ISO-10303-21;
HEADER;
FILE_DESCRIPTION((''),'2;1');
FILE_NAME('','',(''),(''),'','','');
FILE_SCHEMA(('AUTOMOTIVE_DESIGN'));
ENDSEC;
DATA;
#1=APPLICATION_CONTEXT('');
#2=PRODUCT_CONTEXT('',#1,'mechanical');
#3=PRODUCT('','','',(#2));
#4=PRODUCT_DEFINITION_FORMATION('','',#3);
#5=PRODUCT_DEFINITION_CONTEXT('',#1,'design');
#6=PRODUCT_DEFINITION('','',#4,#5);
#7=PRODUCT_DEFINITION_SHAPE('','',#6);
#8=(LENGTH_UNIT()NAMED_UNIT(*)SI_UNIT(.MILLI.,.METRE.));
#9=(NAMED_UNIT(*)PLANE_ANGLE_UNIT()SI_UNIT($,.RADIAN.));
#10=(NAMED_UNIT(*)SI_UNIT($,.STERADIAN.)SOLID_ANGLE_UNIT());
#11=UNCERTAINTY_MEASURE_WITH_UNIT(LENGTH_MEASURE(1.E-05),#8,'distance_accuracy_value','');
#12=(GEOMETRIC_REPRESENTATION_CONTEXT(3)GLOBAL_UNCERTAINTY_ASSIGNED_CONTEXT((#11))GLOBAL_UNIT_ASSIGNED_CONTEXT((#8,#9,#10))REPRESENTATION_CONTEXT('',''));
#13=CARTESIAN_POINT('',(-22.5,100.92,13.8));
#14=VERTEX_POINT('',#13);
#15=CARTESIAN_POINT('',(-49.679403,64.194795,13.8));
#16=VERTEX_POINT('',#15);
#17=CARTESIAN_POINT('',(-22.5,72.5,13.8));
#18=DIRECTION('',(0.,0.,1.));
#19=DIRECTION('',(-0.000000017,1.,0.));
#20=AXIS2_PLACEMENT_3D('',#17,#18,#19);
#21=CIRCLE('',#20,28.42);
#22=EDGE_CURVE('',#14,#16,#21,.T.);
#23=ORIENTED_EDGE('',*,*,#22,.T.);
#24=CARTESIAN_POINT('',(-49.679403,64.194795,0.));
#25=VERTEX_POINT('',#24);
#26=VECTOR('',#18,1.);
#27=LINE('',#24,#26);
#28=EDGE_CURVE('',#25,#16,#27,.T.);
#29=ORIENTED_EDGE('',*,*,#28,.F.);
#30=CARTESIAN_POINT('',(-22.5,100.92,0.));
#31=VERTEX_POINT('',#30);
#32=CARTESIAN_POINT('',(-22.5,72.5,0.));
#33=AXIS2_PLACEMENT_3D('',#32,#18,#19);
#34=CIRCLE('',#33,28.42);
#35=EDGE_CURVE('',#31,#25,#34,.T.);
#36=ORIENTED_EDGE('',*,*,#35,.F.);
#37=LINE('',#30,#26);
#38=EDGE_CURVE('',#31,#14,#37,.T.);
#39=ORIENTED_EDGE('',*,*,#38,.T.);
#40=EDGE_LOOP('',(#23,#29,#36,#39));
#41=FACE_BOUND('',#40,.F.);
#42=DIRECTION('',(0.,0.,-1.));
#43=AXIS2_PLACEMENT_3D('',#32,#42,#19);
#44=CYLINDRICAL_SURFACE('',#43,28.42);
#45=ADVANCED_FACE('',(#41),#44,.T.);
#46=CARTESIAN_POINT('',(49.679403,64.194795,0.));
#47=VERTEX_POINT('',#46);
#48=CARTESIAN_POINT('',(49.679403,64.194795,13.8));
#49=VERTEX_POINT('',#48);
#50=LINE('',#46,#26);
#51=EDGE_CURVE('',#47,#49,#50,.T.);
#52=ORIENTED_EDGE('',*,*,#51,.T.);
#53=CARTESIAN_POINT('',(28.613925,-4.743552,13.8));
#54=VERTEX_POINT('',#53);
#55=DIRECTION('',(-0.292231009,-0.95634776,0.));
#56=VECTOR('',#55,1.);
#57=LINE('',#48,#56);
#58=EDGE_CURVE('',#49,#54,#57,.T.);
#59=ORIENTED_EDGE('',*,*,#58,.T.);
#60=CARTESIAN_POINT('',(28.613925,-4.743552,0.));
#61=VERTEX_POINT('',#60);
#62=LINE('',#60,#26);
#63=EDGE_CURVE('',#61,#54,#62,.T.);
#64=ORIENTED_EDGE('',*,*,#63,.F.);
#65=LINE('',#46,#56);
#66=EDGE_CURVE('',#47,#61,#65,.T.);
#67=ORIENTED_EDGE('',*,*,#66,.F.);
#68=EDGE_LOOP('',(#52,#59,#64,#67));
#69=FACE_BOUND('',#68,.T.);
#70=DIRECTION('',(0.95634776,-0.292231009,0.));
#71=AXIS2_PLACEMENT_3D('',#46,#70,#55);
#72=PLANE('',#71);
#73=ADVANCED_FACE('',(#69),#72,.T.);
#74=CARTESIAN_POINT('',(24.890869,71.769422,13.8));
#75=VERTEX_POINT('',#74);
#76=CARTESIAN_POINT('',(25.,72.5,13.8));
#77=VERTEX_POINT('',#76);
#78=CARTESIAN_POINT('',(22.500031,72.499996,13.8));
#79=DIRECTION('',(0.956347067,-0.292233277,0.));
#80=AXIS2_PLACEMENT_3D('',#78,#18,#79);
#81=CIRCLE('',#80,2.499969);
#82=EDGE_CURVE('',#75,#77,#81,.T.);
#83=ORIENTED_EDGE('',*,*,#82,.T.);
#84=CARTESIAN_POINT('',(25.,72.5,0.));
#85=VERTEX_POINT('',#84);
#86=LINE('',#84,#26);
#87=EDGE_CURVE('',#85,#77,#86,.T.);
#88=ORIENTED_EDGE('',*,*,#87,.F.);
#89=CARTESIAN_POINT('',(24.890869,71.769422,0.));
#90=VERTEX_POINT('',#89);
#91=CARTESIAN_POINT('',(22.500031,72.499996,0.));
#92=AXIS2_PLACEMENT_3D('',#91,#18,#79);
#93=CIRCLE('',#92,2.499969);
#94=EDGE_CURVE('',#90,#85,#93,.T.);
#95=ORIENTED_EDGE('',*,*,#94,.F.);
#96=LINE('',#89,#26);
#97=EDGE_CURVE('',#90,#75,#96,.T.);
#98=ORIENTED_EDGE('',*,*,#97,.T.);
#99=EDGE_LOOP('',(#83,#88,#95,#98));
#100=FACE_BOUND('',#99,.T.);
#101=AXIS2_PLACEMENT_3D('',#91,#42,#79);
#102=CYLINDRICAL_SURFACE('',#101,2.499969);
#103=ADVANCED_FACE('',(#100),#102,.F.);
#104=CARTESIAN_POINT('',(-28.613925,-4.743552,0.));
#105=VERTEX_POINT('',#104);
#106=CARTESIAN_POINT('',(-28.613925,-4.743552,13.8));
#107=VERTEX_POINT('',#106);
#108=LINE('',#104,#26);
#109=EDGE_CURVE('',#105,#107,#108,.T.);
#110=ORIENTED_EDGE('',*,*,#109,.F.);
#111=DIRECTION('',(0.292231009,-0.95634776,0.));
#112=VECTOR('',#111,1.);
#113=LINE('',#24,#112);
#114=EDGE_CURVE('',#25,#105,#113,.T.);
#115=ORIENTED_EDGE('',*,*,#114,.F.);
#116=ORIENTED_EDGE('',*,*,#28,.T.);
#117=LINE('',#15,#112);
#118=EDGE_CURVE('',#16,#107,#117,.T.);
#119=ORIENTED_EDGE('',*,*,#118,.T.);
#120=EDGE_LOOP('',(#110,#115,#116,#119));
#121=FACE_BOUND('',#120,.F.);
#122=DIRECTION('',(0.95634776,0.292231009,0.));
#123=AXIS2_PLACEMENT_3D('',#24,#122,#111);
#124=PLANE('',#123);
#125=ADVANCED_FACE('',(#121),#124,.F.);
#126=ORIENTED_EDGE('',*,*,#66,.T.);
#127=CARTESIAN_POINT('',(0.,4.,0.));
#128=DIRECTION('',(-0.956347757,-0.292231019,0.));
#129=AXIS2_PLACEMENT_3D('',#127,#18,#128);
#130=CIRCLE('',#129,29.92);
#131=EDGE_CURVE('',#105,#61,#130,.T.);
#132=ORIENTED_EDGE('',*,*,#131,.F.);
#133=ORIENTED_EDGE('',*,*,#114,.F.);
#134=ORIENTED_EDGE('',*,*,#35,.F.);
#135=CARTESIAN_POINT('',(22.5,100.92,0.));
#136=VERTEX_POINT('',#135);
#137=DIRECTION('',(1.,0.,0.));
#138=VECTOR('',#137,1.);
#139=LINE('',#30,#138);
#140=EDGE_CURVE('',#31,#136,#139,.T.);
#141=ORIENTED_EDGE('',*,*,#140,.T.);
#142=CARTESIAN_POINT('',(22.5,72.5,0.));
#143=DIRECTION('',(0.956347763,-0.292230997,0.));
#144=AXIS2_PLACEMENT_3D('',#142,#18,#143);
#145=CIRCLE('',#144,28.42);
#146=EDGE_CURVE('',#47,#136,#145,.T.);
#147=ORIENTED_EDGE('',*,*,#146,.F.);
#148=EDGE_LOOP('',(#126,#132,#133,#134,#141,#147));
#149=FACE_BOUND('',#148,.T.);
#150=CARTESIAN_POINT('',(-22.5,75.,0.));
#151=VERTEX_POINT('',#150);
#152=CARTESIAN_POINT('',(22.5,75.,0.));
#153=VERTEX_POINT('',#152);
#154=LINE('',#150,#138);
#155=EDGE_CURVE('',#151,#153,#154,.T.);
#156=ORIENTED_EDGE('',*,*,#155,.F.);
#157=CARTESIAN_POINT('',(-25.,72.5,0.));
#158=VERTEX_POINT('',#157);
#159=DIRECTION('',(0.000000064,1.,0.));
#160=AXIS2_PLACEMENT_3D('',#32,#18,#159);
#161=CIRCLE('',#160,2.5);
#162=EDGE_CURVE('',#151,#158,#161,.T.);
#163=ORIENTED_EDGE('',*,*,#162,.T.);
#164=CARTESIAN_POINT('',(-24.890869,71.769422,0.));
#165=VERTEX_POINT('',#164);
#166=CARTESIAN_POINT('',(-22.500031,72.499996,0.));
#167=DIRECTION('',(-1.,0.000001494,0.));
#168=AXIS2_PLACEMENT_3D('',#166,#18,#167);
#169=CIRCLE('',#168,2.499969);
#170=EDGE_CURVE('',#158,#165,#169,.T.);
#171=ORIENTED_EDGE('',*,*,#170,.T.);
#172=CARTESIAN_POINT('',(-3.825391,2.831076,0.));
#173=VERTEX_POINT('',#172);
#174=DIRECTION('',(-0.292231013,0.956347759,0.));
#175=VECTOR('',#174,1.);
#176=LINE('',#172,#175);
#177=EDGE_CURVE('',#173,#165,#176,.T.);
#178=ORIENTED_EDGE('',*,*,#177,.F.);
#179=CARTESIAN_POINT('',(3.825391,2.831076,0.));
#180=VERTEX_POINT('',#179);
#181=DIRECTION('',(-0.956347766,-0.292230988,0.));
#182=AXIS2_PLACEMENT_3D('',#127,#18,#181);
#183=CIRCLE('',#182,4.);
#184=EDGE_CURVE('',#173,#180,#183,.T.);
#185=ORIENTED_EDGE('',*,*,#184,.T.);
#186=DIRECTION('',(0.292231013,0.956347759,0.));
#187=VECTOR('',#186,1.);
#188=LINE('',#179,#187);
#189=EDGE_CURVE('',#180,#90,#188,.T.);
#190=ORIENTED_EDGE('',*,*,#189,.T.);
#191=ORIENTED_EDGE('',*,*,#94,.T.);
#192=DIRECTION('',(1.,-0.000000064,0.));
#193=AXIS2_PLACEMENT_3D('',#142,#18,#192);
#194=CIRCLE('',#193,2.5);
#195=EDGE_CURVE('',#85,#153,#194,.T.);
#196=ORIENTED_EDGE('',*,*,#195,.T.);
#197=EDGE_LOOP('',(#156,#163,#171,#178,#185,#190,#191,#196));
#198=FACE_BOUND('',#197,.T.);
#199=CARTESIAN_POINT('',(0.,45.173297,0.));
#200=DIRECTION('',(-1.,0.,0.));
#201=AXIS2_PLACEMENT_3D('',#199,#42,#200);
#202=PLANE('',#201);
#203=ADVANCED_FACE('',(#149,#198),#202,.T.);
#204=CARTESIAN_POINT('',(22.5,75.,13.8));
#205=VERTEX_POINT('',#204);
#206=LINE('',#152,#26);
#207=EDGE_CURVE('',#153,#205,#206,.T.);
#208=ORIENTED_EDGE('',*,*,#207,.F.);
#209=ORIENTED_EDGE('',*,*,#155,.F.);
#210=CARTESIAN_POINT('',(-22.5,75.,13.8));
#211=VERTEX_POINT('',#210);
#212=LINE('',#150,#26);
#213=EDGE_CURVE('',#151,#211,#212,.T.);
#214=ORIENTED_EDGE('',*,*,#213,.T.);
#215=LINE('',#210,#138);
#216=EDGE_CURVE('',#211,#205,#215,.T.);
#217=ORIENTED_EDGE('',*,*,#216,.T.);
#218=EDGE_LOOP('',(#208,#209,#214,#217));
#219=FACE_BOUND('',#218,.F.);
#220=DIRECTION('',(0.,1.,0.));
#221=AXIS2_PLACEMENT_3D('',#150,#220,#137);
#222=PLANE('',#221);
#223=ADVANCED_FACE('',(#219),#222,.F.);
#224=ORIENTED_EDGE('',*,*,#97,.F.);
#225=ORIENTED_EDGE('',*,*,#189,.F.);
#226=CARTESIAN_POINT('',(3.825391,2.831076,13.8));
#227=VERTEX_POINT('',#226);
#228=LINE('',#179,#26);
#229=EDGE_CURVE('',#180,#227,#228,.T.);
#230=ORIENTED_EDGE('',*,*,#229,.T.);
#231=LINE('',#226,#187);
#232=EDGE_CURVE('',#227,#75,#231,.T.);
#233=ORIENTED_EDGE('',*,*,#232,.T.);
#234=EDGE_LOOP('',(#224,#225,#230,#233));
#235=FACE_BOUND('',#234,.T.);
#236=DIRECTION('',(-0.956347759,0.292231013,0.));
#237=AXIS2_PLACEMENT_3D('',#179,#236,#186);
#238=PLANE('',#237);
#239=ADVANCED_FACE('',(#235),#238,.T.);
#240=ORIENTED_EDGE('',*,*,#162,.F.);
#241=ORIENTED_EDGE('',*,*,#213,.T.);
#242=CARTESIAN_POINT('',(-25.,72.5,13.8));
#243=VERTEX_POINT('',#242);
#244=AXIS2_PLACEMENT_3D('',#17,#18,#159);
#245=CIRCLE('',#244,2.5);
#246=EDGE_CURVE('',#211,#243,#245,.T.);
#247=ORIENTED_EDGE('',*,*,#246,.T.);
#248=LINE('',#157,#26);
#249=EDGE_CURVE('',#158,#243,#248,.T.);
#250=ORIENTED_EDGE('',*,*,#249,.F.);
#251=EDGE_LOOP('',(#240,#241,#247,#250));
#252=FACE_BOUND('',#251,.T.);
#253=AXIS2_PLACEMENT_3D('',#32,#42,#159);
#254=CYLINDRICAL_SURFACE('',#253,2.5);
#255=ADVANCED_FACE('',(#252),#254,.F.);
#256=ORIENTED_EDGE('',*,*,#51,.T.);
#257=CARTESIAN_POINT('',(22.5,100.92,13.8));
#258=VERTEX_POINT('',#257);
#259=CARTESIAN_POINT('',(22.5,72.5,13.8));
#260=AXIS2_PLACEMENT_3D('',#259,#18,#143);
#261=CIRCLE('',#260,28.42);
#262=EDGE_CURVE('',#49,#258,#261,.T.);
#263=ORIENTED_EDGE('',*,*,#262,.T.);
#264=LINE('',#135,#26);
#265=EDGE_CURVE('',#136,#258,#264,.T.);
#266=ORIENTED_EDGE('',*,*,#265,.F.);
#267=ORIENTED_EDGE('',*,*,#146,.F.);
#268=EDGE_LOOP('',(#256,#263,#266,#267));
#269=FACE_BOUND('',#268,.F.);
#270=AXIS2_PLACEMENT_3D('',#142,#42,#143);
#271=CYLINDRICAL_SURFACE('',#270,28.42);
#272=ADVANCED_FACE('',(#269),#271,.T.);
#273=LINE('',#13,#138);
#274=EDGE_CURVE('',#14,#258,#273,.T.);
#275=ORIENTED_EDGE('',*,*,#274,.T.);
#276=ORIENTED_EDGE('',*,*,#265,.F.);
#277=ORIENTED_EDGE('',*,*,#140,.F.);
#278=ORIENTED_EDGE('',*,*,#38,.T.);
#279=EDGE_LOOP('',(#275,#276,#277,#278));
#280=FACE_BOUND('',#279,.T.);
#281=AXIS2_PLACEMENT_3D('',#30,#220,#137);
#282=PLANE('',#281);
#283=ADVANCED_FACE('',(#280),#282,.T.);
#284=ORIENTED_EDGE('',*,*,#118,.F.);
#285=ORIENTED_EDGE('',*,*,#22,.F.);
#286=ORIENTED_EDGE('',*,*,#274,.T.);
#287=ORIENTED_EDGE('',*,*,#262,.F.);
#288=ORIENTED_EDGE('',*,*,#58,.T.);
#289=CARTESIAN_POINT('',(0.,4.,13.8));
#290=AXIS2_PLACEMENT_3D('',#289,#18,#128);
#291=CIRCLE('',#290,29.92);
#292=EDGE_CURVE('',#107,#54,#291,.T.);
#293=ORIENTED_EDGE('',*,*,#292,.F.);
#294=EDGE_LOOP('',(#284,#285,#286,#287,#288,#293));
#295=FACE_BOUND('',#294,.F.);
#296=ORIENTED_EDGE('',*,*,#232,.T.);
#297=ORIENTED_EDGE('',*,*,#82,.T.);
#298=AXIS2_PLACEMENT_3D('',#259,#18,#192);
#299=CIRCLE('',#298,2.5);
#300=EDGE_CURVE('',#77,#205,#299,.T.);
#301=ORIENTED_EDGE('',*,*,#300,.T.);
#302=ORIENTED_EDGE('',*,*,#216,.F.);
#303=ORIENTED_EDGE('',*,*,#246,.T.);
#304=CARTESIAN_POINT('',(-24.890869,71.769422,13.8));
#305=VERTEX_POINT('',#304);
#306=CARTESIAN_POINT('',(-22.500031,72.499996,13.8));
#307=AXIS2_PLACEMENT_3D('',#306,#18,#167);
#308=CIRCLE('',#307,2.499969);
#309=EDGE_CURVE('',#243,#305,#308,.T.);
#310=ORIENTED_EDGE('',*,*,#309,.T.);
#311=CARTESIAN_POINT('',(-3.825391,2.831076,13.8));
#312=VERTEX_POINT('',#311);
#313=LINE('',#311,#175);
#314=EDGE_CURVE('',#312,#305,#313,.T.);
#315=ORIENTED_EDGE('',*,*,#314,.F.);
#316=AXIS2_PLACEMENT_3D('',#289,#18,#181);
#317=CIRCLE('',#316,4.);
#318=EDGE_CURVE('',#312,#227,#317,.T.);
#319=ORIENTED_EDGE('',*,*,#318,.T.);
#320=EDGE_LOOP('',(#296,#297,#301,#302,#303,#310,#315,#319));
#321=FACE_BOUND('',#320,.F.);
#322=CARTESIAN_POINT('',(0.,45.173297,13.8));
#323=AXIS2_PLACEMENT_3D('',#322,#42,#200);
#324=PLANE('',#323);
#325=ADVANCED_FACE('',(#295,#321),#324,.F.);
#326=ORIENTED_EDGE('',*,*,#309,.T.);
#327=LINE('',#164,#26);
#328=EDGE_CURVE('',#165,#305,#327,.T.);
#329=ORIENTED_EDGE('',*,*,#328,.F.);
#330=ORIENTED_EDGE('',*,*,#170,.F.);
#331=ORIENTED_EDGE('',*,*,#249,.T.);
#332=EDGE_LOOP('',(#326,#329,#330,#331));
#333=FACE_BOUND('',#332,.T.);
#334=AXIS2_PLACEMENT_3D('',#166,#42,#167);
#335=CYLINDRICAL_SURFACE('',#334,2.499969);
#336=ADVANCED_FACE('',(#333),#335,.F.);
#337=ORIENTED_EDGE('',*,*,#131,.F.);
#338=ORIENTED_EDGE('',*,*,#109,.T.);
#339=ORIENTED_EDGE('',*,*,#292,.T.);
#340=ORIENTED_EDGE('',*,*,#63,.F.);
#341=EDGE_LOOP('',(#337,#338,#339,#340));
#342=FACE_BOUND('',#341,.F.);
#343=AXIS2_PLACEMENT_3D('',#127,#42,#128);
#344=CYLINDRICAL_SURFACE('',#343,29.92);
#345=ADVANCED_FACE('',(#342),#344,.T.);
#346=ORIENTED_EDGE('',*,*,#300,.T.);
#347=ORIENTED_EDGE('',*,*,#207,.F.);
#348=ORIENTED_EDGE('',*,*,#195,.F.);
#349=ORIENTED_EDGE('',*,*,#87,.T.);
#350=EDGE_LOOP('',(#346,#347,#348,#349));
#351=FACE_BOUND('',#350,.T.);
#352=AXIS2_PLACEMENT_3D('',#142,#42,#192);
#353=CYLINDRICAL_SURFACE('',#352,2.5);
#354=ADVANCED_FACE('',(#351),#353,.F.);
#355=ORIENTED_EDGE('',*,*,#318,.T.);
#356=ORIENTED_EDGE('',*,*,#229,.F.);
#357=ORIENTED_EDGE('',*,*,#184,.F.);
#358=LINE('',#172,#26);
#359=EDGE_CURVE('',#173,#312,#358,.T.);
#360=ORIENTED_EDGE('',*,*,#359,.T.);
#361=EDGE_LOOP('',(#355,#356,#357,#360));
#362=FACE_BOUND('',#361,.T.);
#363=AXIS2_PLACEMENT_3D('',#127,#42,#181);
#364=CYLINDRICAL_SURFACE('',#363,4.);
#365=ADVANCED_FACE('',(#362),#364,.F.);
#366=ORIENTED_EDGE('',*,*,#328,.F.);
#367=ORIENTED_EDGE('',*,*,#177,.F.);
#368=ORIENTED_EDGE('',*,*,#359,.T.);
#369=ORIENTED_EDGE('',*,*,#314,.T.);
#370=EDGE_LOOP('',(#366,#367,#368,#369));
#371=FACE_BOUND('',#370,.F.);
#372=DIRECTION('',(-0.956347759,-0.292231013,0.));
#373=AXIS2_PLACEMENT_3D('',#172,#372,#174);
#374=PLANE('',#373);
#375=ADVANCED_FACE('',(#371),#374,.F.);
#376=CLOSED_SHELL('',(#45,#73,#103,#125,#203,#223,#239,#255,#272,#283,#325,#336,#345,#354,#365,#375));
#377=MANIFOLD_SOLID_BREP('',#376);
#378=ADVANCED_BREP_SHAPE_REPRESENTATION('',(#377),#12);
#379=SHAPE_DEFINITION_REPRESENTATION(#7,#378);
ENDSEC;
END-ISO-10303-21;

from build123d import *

# Parameters (mm, degrees)
PAD_DEPTH = 13.8


with BuildPart() as part:
    # Sketch → Pad (new body)
    with BuildSketch(Plane.XY):
        with BuildLine():
            Line((-22.5, 100.92), (22.5, 100.92))
            ThreePointArc((49.679403, 64.194795), (45.344368, 89.406544), (22.5, 100.92))
            Line((49.679403, 64.194795), (28.613925, -4.743552))
            ThreePointArc((-28.613925, -4.743552), (0, -25.92), (28.613925, -4.743552))
            Line((-49.679403, 64.194795), (-28.613925, -4.743552))
            ThreePointArc((-22.5, 100.92), (-45.344368, 89.406544), (-49.679403, 64.194795))
        make_face()
        with BuildLine():
            Line((3.825391, 2.831076), (24.890869, 71.769422))
            ThreePointArc((24.890869, 71.769422), (24.972567, 72.130658), (25, 72.5))
            ThreePointArc((25, 72.5), (24.267767, 74.267767), (22.5, 75))
            Line((-22.5, 75), (22.5, 75))
            ThreePointArc((-22.5, 75), (-24.267767, 74.267767), (-25, 72.5))
            ThreePointArc((-25, 72.5), (-24.972567, 72.130658), (-24.890869, 71.769422))
            Line((-3.825391, 2.831076), (-24.890869, 71.769422))
            ThreePointArc((-3.825391, 2.831076), (0, 0), (3.825391, 2.831076))
        make_face(mode=Mode.SUBTRACT)
    extrude(amount=PAD_DEPTH)


solid = part.part
